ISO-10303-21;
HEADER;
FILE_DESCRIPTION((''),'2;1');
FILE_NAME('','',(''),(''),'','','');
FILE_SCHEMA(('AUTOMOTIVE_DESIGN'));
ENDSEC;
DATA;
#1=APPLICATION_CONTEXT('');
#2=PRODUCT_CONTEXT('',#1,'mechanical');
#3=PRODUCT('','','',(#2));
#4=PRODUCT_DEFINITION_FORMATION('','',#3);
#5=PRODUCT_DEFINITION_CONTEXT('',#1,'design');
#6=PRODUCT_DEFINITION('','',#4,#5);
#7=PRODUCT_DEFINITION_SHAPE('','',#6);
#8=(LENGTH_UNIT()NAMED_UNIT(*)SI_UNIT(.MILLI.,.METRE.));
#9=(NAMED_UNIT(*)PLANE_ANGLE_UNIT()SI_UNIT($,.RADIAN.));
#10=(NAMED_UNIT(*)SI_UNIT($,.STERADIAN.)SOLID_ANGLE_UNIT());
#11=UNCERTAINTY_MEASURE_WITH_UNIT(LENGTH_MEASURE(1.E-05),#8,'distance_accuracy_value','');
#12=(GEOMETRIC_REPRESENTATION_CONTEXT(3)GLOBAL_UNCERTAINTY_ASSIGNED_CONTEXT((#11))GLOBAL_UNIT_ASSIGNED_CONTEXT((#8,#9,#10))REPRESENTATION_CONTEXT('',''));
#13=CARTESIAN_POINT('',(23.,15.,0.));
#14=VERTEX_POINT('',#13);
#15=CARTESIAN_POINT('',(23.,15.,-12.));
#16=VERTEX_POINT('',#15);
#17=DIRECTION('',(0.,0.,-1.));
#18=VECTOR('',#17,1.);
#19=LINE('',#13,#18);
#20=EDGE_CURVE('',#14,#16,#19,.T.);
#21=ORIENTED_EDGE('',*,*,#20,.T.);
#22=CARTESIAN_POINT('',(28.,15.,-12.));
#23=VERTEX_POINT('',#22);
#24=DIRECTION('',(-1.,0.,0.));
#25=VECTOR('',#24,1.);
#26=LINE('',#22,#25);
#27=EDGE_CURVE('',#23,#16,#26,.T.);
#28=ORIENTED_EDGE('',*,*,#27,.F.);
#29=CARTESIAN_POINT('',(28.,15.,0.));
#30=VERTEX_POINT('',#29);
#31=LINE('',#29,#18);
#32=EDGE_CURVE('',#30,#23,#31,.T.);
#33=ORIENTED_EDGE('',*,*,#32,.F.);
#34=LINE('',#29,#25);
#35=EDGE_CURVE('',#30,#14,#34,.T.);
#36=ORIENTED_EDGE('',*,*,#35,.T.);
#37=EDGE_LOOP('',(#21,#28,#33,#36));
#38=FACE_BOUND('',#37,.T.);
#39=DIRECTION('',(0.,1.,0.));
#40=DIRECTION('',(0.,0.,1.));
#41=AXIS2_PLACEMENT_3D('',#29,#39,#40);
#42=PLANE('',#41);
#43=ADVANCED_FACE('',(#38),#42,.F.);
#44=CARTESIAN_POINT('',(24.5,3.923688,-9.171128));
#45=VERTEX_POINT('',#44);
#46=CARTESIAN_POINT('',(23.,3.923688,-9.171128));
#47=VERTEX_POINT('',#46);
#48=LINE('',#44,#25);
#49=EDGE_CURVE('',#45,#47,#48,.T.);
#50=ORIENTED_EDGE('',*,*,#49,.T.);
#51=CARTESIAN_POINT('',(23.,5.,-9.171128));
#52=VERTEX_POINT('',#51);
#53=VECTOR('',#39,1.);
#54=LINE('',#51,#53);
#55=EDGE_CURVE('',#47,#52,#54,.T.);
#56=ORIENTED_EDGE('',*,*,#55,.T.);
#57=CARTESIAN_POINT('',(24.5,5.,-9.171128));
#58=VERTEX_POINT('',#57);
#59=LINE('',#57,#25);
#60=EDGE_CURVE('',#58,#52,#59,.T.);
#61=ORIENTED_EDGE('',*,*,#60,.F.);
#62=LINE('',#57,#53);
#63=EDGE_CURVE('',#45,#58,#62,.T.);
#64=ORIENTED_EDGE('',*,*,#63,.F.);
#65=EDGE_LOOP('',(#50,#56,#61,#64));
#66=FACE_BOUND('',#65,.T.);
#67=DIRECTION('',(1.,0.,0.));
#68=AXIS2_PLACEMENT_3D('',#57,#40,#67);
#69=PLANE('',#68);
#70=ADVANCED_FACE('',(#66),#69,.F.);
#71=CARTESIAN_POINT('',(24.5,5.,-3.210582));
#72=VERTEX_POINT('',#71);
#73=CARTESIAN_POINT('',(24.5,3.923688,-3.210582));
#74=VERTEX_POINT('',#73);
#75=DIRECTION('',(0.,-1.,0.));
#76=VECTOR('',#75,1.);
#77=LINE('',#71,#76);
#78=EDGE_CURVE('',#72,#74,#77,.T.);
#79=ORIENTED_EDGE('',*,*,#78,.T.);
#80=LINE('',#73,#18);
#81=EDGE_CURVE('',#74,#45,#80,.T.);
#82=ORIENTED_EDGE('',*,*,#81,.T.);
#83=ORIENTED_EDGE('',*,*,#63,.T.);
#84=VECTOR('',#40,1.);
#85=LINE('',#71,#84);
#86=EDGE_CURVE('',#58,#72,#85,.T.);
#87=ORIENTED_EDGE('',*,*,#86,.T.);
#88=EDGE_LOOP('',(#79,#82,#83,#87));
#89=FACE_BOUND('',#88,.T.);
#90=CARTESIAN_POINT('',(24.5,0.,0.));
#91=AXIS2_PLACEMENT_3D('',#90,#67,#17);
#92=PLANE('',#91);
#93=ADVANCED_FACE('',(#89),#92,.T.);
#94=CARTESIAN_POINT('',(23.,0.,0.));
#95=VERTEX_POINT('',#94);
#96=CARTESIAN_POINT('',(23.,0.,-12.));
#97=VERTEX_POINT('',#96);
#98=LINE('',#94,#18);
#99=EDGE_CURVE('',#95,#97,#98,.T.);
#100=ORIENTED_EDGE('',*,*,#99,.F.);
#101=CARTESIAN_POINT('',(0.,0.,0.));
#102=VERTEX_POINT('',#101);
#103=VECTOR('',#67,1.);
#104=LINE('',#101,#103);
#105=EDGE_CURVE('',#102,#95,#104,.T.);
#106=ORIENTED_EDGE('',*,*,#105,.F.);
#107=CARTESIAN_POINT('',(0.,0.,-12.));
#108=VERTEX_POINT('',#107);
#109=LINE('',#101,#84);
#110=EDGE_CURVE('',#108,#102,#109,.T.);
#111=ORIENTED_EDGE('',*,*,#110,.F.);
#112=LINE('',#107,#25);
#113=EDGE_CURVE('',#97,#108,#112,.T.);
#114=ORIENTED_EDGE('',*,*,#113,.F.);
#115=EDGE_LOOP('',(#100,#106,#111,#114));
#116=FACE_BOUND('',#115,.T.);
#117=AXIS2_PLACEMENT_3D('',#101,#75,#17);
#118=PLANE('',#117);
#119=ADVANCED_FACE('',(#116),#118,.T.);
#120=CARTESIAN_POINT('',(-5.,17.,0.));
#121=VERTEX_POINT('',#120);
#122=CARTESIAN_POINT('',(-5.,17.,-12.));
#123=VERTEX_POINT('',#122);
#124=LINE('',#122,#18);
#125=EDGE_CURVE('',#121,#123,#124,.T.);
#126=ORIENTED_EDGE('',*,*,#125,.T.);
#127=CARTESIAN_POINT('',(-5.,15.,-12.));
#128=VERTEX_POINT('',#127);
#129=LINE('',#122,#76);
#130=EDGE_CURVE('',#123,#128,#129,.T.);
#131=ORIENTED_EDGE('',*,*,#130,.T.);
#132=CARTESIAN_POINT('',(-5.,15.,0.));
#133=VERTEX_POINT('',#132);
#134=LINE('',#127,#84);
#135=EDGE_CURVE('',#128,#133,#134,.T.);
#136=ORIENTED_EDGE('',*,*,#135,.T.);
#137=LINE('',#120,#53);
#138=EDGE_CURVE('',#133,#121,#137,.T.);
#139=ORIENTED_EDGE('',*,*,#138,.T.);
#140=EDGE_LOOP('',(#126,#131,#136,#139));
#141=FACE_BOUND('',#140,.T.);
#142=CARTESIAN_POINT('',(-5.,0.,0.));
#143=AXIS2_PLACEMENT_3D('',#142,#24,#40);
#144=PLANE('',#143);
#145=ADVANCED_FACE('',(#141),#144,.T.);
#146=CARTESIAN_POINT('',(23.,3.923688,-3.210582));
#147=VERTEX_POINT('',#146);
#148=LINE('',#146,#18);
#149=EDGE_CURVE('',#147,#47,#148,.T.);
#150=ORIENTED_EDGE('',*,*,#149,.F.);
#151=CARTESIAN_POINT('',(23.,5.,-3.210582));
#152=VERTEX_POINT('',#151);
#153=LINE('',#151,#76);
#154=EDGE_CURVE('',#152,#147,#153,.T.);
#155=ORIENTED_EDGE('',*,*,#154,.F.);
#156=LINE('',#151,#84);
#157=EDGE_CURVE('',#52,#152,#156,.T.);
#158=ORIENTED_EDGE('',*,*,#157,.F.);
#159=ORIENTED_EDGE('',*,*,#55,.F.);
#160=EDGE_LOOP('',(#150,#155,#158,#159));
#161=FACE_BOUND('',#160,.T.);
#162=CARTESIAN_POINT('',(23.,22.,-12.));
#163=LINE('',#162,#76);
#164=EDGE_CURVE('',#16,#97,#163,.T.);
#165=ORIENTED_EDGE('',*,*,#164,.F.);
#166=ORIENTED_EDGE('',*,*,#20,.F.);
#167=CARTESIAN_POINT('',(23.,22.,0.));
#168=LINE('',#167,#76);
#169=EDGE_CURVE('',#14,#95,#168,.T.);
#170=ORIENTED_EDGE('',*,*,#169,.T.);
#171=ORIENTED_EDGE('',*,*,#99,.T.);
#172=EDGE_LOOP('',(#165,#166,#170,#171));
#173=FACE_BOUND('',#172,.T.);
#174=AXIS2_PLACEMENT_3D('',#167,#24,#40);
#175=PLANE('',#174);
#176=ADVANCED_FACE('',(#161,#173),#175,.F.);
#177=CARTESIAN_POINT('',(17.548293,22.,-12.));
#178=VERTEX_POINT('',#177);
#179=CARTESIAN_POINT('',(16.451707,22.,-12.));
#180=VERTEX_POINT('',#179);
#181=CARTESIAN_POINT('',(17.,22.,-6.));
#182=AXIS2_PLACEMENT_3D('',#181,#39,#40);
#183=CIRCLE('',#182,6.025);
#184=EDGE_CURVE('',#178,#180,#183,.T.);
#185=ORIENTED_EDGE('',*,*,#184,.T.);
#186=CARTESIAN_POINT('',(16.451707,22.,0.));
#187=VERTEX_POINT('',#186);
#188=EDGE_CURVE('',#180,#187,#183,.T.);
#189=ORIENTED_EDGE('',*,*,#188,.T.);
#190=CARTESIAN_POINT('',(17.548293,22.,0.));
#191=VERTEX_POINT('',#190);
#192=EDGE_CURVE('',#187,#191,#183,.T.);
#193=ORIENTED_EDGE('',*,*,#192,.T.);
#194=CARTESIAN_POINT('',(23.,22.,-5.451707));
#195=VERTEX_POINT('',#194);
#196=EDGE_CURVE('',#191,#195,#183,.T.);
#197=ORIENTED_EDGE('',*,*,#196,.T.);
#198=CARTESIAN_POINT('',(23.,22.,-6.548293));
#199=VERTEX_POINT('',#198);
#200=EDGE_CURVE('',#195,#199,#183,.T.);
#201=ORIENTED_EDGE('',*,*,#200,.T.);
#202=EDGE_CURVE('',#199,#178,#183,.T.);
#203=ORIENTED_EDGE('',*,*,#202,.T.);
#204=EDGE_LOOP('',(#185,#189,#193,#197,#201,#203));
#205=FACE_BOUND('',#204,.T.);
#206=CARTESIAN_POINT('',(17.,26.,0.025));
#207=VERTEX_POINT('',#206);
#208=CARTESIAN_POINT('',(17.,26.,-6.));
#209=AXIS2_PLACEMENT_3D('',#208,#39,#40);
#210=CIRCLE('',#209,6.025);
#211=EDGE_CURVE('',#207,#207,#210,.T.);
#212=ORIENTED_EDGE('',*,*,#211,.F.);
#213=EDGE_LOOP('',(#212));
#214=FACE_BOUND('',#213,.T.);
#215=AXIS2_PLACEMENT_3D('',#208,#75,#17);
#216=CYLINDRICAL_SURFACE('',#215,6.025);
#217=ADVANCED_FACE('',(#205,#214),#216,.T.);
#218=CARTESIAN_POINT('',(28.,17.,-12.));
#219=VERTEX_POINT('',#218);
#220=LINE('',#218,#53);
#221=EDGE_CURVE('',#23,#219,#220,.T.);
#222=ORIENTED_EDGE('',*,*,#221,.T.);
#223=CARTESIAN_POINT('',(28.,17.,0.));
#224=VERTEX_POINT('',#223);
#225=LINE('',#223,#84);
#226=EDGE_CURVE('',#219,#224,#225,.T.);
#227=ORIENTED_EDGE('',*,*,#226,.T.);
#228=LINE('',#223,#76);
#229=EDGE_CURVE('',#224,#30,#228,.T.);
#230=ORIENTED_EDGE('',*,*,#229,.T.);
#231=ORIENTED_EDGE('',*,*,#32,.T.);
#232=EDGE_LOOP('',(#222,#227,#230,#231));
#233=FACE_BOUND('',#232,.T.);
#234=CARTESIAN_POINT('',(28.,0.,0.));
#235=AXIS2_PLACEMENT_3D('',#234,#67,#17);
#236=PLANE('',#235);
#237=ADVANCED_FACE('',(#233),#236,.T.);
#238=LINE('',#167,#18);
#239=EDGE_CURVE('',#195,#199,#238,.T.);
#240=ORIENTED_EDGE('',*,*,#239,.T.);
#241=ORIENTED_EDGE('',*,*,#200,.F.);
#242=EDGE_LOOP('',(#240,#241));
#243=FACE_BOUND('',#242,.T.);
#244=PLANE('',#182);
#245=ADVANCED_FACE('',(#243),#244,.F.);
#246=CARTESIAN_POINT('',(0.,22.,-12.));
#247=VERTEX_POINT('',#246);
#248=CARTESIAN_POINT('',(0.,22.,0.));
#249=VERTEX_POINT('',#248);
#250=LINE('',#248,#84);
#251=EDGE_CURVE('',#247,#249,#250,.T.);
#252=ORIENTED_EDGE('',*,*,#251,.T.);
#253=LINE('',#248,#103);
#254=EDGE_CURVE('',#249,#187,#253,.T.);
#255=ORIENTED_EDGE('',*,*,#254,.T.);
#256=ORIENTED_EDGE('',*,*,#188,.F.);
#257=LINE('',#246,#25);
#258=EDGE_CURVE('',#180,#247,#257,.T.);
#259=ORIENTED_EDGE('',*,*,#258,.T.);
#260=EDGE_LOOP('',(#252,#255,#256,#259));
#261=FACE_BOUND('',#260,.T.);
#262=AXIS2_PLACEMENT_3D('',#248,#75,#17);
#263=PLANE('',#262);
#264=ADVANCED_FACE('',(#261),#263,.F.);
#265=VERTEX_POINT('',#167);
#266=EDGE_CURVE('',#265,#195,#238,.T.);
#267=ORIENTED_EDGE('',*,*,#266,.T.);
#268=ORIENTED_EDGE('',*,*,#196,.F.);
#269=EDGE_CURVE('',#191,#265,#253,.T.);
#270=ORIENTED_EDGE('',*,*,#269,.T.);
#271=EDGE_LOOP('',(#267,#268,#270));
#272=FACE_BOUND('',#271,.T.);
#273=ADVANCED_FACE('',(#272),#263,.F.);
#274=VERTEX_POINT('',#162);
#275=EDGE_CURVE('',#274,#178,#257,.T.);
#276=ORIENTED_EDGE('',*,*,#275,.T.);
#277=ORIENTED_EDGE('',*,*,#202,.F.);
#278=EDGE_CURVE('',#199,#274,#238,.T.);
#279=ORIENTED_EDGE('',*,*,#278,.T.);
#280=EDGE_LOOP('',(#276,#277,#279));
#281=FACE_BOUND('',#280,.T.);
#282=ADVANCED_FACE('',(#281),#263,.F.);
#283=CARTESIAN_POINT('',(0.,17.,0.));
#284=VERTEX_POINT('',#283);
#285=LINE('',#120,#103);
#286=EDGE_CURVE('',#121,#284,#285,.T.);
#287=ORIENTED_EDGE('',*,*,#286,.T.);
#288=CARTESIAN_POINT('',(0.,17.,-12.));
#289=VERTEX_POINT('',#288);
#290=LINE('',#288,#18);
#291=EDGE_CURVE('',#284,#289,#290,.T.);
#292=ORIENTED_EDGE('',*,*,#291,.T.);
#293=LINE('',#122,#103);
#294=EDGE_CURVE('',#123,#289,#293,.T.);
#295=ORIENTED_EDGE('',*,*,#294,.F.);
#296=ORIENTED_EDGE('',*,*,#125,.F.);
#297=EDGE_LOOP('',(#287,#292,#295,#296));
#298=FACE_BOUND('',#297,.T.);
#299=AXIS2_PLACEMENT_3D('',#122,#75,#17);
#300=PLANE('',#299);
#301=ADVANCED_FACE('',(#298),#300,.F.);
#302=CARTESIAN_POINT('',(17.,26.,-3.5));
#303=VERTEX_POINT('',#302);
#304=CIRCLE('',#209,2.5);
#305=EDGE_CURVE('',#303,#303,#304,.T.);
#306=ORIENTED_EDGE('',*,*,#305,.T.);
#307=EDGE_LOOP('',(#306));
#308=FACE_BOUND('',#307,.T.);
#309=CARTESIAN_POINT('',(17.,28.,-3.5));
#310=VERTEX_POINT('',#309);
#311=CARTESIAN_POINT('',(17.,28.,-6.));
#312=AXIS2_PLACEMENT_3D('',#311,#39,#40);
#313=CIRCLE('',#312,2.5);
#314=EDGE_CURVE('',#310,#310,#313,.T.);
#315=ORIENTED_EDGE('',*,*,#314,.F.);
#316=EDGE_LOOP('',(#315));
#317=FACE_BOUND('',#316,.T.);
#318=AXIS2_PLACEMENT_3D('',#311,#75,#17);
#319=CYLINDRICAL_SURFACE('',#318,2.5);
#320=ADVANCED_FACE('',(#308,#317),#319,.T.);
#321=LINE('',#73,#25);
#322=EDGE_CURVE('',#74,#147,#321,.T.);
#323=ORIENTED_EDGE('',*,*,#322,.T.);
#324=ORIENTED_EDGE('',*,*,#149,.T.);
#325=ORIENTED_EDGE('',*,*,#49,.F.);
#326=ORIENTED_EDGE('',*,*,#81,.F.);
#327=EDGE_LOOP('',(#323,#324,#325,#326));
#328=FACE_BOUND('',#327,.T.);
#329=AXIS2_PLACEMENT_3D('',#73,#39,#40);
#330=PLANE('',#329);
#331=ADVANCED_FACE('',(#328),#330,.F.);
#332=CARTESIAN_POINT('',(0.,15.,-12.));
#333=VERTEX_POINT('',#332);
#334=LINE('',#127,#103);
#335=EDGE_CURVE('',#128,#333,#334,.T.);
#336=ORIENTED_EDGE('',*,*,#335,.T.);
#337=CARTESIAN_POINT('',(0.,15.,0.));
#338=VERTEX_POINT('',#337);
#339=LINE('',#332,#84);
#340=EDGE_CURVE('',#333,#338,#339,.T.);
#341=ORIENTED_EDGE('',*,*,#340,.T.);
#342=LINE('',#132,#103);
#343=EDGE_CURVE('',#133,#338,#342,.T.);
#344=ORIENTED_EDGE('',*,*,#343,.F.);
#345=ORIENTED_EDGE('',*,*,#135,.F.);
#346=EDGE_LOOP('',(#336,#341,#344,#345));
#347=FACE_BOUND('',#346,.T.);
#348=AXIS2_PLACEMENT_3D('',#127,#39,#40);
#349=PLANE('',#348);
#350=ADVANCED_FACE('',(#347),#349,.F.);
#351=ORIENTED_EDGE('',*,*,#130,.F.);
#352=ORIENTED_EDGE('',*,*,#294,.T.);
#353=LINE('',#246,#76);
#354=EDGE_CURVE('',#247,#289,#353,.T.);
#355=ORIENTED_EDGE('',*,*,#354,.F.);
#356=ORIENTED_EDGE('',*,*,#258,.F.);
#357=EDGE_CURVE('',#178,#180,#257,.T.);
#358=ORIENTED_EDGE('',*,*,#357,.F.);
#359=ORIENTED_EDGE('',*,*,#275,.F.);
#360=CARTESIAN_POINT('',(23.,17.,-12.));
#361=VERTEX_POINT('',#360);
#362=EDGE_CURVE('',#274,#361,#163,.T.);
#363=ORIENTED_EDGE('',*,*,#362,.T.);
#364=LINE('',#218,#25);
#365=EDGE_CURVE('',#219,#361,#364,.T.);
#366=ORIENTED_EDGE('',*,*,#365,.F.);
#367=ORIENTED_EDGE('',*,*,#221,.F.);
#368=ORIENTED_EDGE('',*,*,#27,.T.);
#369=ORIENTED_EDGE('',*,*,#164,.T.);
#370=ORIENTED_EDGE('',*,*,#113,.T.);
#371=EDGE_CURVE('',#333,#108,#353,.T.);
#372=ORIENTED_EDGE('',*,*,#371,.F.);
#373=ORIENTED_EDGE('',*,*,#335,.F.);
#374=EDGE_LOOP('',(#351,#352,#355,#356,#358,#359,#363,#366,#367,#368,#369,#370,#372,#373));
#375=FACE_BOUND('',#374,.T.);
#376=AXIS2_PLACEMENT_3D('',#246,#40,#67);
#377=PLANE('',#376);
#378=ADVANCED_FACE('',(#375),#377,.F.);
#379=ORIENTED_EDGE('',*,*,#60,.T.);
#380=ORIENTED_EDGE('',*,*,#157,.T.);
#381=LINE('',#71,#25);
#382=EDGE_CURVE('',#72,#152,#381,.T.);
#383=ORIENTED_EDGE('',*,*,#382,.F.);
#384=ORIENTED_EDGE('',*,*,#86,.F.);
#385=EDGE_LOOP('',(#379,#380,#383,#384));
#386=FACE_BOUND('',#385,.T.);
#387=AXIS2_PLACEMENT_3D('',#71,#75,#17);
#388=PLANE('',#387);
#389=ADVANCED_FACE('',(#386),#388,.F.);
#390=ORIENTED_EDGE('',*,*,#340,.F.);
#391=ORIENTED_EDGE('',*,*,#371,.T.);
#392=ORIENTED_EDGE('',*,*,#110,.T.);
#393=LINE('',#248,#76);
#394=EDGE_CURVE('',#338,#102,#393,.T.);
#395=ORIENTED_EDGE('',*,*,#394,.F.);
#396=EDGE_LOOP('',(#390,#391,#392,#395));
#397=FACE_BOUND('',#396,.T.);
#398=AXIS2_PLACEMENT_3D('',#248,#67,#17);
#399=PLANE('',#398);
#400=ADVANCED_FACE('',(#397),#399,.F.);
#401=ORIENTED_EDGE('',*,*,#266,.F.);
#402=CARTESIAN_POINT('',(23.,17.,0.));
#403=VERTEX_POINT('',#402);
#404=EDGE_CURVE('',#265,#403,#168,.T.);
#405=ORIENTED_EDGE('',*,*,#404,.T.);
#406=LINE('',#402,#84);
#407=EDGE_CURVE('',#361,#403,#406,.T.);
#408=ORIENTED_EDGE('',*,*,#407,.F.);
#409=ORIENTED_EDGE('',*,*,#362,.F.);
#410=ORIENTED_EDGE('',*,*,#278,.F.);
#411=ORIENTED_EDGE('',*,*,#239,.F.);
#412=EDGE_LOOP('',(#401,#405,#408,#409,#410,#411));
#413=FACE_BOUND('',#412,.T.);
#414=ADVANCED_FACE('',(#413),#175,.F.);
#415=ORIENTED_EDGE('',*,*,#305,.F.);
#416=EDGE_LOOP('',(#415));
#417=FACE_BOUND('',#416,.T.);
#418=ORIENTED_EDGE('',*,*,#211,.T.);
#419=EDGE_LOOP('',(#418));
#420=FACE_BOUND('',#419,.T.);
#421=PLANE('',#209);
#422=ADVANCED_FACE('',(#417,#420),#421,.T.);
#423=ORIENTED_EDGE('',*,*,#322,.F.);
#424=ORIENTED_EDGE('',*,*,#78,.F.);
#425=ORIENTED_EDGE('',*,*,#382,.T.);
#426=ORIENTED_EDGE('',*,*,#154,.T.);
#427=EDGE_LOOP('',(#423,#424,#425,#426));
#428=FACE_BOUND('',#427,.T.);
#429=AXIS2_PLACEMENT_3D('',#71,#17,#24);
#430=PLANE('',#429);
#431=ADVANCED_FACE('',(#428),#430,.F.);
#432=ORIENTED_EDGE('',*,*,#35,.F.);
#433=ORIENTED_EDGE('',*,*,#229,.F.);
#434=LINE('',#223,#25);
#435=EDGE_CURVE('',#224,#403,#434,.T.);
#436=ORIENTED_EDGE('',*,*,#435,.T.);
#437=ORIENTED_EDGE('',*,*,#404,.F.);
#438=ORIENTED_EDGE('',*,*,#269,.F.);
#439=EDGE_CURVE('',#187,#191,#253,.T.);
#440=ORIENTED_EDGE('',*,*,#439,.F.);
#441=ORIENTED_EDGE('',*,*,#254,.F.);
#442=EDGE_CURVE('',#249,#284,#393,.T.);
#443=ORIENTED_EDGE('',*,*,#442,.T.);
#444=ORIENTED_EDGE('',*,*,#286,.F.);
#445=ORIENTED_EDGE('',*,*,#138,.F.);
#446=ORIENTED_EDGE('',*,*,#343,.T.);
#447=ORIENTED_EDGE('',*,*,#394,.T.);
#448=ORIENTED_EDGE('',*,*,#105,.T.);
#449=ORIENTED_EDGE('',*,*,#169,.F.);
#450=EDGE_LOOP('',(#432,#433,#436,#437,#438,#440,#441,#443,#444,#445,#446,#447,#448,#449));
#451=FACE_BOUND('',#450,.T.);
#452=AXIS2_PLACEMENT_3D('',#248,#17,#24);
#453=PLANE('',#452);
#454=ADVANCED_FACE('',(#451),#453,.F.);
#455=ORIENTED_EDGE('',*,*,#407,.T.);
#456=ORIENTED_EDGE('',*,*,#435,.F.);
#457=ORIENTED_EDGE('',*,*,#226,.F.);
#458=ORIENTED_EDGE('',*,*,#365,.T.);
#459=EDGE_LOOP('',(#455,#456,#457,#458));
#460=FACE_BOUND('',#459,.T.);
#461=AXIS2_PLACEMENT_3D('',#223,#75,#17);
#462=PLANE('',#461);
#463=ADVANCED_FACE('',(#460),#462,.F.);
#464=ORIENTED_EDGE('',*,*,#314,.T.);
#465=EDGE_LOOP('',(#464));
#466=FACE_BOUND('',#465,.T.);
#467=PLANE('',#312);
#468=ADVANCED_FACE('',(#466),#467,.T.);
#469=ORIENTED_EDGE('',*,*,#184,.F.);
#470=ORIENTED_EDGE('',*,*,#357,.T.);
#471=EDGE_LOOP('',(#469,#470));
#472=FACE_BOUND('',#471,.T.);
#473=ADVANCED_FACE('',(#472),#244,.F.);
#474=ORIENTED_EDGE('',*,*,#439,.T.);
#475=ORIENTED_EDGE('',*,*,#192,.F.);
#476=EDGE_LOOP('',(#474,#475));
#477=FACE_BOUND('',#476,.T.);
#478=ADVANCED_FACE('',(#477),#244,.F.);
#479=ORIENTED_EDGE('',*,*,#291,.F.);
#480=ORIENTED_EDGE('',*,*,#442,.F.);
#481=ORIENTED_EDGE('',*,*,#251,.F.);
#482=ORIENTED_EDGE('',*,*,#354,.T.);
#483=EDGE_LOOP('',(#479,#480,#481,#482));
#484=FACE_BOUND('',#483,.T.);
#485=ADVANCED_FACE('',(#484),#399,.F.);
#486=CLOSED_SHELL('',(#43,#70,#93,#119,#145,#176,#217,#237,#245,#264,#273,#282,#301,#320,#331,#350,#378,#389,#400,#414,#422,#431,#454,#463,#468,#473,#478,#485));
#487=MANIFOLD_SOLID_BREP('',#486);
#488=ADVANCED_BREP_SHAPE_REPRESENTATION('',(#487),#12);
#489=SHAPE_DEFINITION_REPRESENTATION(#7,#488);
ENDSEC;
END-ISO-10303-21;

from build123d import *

# Parameters (mm, degrees)
SKETCH_1_W      = 23
SKETCH_1_H      = 12
EXTRUDE_1_DEPTH = 22
SKETCH_2_W      = 12
SKETCH_2_H      = 2
EXTRUDE_2_DEPTH = 5
SKETCH_3_W      = 5.960545255
SKETCH_3_H      = 1.076312346
EXTRUDE_3_DEPTH = 1.5
SKETCH_4_W      = 12
SKETCH_4_H      = 2
EXTRUDE_4_DEPTH = 5
SKETCH_5_R      = 6.025
EXTRUDE_5_DEPTH = 4
SKETCH_6_R      = 2.5
EXTRUDE_6_DEPTH = 2


with BuildPart() as part:
    # 草图1 → 凸台-拉伸1 (new body)
    with BuildSketch(Plane(origin=(0, 0, 0), x_dir=(1, 0, 0), z_dir=(0, 1, 0))):
        with Locations((11.5, 6)):
            Rectangle(SKETCH_1_W, SKETCH_1_H)
    extrude(amount=EXTRUDE_1_DEPTH)

    # 草图2 → 凸台-拉伸2 (add)
    with BuildSketch(Plane(origin=(23, 0, 0), x_dir=(0, 0, -1), z_dir=(1, 0, 0))):
        with Locations((6, 16)):
            Rectangle(SKETCH_2_W, SKETCH_2_H)
    extrude(amount=EXTRUDE_2_DEPTH)

    # 草图3 → 凸台-拉伸3 (add)
    with BuildSketch(Plane(origin=(23, 0, 0), x_dir=(0, 0, -1), z_dir=(1, 0, 0))):
        with Locations((6.190854898, 4.461843827)):
            Rectangle(SKETCH_3_W, SKETCH_3_H)
    extrude(amount=EXTRUDE_3_DEPTH)

    # 草图4 → 凸台-拉伸4 (add)
    with BuildSketch(Plane.ZY):
        with Locations((-6, 16)):
            Rectangle(SKETCH_4_W, SKETCH_4_H)
    extrude(amount=EXTRUDE_4_DEPTH)

    # 草图5 → 凸台-拉伸5 (add)
    with BuildSketch(Plane(origin=(0, 22, 0), x_dir=(1, 0, 0), z_dir=(0, 1, 0))):
        with Locations(Location((17, 6, 0), (0, 0, 84.778691018))):
            Circle(SKETCH_5_R)
    extrude(amount=EXTRUDE_5_DEPTH)

    # 草图6 → 凸台-拉伸6 (add)
    with BuildSketch(Plane(origin=(0, 26, 0), x_dir=(1, 0, 0), z_dir=(0, 1, 0))):
        with Locations(Location((17, 6, 0), (0, 0, 270))):
            Circle(SKETCH_6_R)
    extrude(amount=EXTRUDE_6_DEPTH)


solid = part.part
